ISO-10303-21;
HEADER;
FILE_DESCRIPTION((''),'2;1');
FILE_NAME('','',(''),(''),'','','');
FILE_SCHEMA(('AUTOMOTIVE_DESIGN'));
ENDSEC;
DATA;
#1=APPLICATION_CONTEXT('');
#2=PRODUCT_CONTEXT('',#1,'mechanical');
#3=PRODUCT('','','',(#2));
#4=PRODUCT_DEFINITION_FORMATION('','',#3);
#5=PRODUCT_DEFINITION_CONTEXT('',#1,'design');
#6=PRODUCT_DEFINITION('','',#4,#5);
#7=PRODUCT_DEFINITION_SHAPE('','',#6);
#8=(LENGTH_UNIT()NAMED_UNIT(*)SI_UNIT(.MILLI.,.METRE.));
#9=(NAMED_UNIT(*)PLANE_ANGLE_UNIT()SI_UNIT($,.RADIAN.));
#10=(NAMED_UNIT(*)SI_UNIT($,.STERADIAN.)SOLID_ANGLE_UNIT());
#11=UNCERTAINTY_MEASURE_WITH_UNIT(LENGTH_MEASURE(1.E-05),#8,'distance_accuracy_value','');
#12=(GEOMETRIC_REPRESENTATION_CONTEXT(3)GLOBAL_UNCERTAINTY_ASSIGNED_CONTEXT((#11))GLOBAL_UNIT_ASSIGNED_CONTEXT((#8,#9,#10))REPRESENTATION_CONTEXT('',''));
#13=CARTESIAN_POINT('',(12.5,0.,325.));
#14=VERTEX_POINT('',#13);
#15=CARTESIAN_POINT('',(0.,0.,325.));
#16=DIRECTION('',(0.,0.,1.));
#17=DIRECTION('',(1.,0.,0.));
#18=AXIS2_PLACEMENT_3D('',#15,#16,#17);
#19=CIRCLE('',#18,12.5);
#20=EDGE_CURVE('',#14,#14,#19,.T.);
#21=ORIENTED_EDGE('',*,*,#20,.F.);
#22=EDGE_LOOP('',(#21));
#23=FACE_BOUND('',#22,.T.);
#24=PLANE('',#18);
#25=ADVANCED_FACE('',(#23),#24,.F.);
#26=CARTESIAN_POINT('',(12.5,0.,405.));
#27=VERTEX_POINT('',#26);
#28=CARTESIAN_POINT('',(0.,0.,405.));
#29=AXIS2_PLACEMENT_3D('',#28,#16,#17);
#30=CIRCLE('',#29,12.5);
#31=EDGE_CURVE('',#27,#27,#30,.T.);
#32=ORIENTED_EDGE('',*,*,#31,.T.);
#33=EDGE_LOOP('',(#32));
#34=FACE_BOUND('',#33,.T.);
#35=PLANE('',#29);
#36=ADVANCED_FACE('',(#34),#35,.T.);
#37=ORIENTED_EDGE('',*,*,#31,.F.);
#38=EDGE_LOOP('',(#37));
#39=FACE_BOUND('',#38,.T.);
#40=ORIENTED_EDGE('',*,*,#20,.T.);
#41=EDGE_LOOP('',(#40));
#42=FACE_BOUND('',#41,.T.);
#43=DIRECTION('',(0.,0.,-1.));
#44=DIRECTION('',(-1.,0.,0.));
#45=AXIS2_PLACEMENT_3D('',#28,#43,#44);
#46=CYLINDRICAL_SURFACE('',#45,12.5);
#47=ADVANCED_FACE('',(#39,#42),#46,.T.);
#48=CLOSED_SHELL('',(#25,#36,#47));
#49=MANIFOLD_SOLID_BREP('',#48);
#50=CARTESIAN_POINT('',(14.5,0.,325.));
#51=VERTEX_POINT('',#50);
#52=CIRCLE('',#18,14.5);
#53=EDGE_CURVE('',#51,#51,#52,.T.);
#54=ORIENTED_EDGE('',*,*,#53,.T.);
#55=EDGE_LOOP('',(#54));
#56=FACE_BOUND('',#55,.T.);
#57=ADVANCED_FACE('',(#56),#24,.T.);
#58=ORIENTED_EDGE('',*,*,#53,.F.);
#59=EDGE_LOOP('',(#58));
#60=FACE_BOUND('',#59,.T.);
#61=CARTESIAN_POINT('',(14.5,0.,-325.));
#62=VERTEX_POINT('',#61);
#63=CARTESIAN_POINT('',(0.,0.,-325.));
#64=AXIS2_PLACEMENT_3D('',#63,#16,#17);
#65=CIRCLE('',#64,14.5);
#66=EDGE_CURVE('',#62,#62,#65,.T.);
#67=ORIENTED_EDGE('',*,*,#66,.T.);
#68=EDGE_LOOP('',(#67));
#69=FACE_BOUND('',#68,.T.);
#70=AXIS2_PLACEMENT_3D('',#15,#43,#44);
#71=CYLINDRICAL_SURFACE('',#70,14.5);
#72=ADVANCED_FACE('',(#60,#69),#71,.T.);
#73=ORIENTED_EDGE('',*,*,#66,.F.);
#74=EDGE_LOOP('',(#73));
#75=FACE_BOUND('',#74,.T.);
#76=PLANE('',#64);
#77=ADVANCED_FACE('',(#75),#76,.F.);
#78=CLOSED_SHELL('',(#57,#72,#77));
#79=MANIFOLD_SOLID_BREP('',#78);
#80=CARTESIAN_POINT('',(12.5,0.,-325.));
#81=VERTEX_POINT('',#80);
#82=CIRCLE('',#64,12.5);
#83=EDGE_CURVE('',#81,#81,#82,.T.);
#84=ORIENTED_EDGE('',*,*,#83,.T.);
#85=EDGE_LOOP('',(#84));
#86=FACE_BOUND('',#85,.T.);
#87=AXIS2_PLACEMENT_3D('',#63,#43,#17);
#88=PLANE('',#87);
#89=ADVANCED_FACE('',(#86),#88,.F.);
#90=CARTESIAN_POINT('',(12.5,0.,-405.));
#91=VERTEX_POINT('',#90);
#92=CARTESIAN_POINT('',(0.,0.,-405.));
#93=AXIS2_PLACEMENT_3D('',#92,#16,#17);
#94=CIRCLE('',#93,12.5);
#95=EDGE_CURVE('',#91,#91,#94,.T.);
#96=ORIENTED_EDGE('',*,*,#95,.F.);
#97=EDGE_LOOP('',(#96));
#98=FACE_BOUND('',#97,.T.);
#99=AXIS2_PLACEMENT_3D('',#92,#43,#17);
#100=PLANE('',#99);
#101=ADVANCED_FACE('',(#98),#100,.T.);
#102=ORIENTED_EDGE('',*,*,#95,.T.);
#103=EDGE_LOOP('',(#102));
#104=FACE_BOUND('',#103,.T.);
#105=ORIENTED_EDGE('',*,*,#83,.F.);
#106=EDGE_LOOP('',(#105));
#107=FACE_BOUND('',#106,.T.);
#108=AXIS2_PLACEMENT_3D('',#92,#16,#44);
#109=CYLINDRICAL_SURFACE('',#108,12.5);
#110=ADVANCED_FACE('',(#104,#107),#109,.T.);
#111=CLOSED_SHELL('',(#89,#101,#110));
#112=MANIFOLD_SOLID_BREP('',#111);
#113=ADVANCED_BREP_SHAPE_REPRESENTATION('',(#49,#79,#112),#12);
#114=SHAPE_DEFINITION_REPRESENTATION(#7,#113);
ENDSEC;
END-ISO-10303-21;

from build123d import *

# Parameters (mm, degrees)
SKETCH1_R           = 14.5
BOSS_EXTRUDE1_DEPTH = 325
SKETCH2_R           = 12.5
BOSS_EXTRUDE2_DEPTH = 80


with BuildPart() as part:
    # Sketch1 → Boss-Extrude1 (new body, symmetric)
    with BuildSketch(Plane.XY):
        Circle(SKETCH1_R)
    extrude(amount=BOSS_EXTRUDE1_DEPTH, both=True)


with BuildPart() as body_2:
    # Sketch2 → Boss-Extrude2 (new body)
    with BuildSketch(Plane.XY.offset(325)):
        Circle(SKETCH2_R)
    extrude(amount=BOSS_EXTRUDE2_DEPTH)


with BuildPart() as body_3:
    # Mirror1: mirrored copy
    add(body_2.part.mirror(Plane.XY))


solid = Compound([part.part, body_2.part, body_3.part])
